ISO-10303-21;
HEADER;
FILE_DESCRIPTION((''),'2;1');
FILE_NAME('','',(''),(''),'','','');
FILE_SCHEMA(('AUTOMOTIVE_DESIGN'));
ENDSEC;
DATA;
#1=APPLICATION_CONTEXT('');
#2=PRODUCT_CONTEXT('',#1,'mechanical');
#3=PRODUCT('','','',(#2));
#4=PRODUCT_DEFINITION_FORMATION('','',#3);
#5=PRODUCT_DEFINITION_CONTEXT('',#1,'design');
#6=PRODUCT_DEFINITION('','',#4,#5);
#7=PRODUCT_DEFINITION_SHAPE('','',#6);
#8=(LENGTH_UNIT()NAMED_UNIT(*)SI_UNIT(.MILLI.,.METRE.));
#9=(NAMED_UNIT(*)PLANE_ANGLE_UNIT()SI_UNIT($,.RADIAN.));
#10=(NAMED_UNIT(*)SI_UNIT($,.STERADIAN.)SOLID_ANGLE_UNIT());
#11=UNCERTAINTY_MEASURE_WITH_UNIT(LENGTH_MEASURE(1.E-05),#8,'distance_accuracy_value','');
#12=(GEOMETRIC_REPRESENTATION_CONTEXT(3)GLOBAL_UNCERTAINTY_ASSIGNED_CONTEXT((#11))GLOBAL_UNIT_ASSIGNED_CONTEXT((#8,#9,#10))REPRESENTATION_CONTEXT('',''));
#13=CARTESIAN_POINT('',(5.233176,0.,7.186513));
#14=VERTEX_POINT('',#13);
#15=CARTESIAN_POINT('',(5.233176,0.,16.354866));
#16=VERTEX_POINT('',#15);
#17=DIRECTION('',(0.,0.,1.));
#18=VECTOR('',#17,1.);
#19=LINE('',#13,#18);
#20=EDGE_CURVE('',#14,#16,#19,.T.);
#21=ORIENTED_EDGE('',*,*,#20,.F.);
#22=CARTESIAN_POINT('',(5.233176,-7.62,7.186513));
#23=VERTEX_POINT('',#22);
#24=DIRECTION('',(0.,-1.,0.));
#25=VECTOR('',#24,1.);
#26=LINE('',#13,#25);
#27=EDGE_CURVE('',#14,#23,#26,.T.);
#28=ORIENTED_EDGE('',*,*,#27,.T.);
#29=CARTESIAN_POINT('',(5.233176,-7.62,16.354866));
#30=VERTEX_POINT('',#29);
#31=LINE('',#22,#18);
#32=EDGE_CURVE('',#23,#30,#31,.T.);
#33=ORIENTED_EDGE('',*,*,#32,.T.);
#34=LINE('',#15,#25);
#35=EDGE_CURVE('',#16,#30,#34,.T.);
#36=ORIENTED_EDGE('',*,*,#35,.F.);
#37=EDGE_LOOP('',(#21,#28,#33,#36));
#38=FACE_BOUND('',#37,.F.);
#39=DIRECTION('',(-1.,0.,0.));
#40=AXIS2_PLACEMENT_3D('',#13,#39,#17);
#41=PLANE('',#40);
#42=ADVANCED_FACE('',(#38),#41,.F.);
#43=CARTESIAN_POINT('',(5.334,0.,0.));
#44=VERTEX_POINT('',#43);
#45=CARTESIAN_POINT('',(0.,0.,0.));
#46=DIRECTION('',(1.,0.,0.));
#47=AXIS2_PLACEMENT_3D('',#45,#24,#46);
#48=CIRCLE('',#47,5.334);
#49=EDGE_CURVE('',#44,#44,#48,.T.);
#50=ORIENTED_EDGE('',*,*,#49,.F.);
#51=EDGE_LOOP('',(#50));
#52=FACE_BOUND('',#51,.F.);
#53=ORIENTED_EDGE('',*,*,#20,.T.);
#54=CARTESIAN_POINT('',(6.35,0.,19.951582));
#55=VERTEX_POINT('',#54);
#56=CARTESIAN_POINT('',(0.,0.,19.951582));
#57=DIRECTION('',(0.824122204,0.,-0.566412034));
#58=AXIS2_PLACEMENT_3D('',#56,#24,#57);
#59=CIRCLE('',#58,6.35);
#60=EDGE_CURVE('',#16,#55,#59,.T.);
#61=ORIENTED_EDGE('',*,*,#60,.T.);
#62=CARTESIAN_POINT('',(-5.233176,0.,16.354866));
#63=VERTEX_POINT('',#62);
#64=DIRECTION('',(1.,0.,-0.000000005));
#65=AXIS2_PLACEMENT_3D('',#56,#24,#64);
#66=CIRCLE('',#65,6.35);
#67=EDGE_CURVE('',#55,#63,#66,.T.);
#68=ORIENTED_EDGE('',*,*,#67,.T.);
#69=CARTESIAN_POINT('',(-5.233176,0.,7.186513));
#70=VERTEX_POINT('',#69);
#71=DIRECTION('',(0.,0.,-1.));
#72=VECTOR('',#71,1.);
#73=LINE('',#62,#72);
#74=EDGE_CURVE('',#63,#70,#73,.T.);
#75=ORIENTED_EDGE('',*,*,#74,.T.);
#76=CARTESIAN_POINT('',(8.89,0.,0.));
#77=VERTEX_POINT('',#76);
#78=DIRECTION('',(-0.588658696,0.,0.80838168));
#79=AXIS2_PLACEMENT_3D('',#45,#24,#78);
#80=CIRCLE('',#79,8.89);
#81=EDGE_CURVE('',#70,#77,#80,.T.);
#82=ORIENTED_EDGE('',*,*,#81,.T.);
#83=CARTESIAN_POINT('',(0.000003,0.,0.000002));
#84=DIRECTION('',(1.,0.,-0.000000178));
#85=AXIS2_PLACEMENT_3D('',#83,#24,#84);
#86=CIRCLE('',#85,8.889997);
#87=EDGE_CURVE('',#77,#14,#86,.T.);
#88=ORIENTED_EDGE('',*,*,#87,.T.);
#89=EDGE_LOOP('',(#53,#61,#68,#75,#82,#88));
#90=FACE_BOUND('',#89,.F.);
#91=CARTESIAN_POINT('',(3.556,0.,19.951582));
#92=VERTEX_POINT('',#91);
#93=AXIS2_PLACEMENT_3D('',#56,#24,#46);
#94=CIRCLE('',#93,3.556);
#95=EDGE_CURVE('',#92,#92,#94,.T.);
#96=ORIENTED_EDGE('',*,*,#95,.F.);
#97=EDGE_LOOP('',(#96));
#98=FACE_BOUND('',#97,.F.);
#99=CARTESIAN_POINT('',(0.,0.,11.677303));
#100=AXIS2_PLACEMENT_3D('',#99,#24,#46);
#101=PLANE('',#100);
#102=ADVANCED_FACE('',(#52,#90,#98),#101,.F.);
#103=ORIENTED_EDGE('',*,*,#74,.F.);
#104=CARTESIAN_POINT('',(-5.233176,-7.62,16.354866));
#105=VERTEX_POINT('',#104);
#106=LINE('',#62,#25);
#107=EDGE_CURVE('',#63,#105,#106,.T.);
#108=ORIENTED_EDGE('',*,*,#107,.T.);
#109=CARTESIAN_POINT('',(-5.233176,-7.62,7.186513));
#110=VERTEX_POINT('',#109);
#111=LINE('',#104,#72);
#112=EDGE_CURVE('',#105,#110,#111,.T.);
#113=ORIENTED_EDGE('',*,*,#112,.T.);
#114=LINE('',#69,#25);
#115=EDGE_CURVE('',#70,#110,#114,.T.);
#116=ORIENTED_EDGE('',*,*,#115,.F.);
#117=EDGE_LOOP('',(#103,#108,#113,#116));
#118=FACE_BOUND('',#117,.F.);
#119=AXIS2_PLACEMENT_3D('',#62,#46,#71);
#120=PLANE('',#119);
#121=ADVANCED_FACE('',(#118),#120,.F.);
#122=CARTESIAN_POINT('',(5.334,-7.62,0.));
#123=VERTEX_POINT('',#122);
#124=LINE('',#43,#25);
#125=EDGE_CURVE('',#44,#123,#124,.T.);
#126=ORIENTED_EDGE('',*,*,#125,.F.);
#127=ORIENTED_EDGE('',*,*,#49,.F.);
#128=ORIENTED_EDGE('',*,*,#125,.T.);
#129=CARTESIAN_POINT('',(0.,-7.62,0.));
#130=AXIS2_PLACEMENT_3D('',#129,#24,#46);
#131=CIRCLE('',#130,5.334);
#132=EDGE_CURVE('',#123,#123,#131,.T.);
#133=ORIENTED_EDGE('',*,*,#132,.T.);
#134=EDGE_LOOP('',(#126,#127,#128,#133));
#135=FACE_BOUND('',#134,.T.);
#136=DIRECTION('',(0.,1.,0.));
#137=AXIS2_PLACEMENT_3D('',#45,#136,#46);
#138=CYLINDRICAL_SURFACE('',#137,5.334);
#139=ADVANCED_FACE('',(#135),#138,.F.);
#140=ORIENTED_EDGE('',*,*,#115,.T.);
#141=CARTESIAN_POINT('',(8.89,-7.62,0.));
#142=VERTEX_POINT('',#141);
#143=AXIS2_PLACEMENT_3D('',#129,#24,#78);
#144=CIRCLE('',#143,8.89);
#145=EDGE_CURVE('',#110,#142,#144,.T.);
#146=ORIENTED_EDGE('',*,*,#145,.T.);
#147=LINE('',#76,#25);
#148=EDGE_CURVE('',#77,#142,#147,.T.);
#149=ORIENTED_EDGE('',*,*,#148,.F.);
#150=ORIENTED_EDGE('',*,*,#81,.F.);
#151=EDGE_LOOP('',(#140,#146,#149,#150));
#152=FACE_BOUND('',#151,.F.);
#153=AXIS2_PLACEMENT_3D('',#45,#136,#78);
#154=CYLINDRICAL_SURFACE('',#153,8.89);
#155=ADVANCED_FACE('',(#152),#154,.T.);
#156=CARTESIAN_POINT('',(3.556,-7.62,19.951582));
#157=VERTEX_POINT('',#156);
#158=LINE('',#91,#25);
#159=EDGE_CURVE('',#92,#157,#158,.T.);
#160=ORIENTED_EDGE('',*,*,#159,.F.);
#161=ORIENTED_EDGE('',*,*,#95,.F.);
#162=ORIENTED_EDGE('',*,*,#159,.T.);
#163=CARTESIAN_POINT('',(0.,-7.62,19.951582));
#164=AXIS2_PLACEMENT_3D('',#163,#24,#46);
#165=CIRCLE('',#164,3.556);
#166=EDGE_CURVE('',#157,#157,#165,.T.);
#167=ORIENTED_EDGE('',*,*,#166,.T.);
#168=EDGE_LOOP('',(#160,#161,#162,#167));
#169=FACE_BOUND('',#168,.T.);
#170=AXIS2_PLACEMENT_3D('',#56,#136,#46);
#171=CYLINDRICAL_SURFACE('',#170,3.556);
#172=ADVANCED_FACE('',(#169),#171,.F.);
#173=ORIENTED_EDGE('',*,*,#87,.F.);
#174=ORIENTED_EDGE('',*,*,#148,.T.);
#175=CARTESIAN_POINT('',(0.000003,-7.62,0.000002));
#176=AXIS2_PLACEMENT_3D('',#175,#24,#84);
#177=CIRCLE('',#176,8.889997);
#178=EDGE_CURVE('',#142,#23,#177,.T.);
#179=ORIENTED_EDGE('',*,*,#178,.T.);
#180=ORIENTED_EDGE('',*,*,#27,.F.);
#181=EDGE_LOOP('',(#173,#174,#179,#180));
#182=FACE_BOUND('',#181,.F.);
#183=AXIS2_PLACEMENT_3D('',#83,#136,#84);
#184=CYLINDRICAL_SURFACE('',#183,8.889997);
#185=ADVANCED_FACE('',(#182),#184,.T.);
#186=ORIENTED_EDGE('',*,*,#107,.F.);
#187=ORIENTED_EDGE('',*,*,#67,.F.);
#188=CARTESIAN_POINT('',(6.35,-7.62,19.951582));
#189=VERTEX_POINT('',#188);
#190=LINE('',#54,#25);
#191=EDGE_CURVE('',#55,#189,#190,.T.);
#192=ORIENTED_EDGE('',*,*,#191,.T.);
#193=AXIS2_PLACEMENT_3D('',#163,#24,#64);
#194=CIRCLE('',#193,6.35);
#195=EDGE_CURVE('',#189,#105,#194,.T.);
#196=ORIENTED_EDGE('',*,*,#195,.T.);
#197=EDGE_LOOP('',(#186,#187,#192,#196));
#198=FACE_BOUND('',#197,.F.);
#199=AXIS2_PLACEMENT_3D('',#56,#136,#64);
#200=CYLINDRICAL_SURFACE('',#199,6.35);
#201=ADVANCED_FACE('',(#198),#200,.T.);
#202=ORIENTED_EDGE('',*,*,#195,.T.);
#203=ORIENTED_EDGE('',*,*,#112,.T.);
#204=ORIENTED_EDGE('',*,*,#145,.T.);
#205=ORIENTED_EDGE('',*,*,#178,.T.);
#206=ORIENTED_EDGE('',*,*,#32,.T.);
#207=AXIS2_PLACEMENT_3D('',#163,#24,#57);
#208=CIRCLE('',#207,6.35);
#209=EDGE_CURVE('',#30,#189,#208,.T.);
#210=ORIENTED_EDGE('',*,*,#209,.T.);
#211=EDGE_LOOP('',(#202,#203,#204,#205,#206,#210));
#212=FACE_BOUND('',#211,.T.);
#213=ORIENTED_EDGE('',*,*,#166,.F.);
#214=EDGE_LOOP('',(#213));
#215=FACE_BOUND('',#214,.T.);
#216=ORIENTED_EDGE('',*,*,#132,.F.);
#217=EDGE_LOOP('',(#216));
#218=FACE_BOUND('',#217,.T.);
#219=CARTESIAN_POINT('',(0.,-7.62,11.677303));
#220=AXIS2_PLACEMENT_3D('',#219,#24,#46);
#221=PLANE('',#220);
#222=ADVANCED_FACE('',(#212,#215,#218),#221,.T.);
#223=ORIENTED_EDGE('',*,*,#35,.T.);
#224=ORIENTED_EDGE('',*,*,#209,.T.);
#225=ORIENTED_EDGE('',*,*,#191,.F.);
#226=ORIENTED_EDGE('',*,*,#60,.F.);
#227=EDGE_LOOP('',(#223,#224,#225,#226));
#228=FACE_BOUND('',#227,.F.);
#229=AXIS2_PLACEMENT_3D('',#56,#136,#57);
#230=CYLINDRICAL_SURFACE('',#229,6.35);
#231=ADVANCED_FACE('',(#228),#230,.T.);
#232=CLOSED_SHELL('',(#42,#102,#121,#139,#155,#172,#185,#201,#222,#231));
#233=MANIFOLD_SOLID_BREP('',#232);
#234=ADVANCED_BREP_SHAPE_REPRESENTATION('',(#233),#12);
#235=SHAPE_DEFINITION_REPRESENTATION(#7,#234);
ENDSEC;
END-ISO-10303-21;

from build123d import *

# Parameters (mm, degrees)
F0_R     = 3.556
F0_R_2   = 5.334
F1_DEPTH = 7.62


with BuildPart() as f1:
    # F0 (on Front) → F1 (new body)
    with BuildSketch(Plane.XZ):
        with BuildLine():
            ThreePointArc((-5.233176, 7.186513), (0, 8.89), (5.233176, 7.186513))
            Line((5.233176, 7.186513), (5.233176, 16.354866))
            ThreePointArc((5.233176, 16.354866), (0, 13.601582), (-5.233176, 16.354866))
            Line((-5.233176, 16.354866), (-5.233176, 7.186513))
        make_face()
        with BuildLine():
            ThreePointArc((-5.233176, 16.354866), (0, 13.601582), (5.233176, 16.354866))
            ThreePointArc((5.233176, 16.354866), (6.06437, 18.068522), (6.35, 19.951582))
            ThreePointArc((6.35, 19.951582), (-1.88306, 26.015952), (-5.233176, 16.354866))
        make_face()
        with Locations((0, 19.951582)):
            Circle(F0_R, mode=Mode.SUBTRACT)
        with BuildLine():
            ThreePointArc((-5.233176, 7.186513), (-4.031697, -7.923227), (8.89, 0))
            ThreePointArc((8.89, 0), (7.923227, 4.031697), (5.233176, 7.186513))
            ThreePointArc((5.233176, 7.186513), (0, 8.89), (-5.233176, 7.186513))
        make_face()
        Circle(F0_R_2, mode=Mode.SUBTRACT)
    extrude(amount=F1_DEPTH)


solid = f1.part
